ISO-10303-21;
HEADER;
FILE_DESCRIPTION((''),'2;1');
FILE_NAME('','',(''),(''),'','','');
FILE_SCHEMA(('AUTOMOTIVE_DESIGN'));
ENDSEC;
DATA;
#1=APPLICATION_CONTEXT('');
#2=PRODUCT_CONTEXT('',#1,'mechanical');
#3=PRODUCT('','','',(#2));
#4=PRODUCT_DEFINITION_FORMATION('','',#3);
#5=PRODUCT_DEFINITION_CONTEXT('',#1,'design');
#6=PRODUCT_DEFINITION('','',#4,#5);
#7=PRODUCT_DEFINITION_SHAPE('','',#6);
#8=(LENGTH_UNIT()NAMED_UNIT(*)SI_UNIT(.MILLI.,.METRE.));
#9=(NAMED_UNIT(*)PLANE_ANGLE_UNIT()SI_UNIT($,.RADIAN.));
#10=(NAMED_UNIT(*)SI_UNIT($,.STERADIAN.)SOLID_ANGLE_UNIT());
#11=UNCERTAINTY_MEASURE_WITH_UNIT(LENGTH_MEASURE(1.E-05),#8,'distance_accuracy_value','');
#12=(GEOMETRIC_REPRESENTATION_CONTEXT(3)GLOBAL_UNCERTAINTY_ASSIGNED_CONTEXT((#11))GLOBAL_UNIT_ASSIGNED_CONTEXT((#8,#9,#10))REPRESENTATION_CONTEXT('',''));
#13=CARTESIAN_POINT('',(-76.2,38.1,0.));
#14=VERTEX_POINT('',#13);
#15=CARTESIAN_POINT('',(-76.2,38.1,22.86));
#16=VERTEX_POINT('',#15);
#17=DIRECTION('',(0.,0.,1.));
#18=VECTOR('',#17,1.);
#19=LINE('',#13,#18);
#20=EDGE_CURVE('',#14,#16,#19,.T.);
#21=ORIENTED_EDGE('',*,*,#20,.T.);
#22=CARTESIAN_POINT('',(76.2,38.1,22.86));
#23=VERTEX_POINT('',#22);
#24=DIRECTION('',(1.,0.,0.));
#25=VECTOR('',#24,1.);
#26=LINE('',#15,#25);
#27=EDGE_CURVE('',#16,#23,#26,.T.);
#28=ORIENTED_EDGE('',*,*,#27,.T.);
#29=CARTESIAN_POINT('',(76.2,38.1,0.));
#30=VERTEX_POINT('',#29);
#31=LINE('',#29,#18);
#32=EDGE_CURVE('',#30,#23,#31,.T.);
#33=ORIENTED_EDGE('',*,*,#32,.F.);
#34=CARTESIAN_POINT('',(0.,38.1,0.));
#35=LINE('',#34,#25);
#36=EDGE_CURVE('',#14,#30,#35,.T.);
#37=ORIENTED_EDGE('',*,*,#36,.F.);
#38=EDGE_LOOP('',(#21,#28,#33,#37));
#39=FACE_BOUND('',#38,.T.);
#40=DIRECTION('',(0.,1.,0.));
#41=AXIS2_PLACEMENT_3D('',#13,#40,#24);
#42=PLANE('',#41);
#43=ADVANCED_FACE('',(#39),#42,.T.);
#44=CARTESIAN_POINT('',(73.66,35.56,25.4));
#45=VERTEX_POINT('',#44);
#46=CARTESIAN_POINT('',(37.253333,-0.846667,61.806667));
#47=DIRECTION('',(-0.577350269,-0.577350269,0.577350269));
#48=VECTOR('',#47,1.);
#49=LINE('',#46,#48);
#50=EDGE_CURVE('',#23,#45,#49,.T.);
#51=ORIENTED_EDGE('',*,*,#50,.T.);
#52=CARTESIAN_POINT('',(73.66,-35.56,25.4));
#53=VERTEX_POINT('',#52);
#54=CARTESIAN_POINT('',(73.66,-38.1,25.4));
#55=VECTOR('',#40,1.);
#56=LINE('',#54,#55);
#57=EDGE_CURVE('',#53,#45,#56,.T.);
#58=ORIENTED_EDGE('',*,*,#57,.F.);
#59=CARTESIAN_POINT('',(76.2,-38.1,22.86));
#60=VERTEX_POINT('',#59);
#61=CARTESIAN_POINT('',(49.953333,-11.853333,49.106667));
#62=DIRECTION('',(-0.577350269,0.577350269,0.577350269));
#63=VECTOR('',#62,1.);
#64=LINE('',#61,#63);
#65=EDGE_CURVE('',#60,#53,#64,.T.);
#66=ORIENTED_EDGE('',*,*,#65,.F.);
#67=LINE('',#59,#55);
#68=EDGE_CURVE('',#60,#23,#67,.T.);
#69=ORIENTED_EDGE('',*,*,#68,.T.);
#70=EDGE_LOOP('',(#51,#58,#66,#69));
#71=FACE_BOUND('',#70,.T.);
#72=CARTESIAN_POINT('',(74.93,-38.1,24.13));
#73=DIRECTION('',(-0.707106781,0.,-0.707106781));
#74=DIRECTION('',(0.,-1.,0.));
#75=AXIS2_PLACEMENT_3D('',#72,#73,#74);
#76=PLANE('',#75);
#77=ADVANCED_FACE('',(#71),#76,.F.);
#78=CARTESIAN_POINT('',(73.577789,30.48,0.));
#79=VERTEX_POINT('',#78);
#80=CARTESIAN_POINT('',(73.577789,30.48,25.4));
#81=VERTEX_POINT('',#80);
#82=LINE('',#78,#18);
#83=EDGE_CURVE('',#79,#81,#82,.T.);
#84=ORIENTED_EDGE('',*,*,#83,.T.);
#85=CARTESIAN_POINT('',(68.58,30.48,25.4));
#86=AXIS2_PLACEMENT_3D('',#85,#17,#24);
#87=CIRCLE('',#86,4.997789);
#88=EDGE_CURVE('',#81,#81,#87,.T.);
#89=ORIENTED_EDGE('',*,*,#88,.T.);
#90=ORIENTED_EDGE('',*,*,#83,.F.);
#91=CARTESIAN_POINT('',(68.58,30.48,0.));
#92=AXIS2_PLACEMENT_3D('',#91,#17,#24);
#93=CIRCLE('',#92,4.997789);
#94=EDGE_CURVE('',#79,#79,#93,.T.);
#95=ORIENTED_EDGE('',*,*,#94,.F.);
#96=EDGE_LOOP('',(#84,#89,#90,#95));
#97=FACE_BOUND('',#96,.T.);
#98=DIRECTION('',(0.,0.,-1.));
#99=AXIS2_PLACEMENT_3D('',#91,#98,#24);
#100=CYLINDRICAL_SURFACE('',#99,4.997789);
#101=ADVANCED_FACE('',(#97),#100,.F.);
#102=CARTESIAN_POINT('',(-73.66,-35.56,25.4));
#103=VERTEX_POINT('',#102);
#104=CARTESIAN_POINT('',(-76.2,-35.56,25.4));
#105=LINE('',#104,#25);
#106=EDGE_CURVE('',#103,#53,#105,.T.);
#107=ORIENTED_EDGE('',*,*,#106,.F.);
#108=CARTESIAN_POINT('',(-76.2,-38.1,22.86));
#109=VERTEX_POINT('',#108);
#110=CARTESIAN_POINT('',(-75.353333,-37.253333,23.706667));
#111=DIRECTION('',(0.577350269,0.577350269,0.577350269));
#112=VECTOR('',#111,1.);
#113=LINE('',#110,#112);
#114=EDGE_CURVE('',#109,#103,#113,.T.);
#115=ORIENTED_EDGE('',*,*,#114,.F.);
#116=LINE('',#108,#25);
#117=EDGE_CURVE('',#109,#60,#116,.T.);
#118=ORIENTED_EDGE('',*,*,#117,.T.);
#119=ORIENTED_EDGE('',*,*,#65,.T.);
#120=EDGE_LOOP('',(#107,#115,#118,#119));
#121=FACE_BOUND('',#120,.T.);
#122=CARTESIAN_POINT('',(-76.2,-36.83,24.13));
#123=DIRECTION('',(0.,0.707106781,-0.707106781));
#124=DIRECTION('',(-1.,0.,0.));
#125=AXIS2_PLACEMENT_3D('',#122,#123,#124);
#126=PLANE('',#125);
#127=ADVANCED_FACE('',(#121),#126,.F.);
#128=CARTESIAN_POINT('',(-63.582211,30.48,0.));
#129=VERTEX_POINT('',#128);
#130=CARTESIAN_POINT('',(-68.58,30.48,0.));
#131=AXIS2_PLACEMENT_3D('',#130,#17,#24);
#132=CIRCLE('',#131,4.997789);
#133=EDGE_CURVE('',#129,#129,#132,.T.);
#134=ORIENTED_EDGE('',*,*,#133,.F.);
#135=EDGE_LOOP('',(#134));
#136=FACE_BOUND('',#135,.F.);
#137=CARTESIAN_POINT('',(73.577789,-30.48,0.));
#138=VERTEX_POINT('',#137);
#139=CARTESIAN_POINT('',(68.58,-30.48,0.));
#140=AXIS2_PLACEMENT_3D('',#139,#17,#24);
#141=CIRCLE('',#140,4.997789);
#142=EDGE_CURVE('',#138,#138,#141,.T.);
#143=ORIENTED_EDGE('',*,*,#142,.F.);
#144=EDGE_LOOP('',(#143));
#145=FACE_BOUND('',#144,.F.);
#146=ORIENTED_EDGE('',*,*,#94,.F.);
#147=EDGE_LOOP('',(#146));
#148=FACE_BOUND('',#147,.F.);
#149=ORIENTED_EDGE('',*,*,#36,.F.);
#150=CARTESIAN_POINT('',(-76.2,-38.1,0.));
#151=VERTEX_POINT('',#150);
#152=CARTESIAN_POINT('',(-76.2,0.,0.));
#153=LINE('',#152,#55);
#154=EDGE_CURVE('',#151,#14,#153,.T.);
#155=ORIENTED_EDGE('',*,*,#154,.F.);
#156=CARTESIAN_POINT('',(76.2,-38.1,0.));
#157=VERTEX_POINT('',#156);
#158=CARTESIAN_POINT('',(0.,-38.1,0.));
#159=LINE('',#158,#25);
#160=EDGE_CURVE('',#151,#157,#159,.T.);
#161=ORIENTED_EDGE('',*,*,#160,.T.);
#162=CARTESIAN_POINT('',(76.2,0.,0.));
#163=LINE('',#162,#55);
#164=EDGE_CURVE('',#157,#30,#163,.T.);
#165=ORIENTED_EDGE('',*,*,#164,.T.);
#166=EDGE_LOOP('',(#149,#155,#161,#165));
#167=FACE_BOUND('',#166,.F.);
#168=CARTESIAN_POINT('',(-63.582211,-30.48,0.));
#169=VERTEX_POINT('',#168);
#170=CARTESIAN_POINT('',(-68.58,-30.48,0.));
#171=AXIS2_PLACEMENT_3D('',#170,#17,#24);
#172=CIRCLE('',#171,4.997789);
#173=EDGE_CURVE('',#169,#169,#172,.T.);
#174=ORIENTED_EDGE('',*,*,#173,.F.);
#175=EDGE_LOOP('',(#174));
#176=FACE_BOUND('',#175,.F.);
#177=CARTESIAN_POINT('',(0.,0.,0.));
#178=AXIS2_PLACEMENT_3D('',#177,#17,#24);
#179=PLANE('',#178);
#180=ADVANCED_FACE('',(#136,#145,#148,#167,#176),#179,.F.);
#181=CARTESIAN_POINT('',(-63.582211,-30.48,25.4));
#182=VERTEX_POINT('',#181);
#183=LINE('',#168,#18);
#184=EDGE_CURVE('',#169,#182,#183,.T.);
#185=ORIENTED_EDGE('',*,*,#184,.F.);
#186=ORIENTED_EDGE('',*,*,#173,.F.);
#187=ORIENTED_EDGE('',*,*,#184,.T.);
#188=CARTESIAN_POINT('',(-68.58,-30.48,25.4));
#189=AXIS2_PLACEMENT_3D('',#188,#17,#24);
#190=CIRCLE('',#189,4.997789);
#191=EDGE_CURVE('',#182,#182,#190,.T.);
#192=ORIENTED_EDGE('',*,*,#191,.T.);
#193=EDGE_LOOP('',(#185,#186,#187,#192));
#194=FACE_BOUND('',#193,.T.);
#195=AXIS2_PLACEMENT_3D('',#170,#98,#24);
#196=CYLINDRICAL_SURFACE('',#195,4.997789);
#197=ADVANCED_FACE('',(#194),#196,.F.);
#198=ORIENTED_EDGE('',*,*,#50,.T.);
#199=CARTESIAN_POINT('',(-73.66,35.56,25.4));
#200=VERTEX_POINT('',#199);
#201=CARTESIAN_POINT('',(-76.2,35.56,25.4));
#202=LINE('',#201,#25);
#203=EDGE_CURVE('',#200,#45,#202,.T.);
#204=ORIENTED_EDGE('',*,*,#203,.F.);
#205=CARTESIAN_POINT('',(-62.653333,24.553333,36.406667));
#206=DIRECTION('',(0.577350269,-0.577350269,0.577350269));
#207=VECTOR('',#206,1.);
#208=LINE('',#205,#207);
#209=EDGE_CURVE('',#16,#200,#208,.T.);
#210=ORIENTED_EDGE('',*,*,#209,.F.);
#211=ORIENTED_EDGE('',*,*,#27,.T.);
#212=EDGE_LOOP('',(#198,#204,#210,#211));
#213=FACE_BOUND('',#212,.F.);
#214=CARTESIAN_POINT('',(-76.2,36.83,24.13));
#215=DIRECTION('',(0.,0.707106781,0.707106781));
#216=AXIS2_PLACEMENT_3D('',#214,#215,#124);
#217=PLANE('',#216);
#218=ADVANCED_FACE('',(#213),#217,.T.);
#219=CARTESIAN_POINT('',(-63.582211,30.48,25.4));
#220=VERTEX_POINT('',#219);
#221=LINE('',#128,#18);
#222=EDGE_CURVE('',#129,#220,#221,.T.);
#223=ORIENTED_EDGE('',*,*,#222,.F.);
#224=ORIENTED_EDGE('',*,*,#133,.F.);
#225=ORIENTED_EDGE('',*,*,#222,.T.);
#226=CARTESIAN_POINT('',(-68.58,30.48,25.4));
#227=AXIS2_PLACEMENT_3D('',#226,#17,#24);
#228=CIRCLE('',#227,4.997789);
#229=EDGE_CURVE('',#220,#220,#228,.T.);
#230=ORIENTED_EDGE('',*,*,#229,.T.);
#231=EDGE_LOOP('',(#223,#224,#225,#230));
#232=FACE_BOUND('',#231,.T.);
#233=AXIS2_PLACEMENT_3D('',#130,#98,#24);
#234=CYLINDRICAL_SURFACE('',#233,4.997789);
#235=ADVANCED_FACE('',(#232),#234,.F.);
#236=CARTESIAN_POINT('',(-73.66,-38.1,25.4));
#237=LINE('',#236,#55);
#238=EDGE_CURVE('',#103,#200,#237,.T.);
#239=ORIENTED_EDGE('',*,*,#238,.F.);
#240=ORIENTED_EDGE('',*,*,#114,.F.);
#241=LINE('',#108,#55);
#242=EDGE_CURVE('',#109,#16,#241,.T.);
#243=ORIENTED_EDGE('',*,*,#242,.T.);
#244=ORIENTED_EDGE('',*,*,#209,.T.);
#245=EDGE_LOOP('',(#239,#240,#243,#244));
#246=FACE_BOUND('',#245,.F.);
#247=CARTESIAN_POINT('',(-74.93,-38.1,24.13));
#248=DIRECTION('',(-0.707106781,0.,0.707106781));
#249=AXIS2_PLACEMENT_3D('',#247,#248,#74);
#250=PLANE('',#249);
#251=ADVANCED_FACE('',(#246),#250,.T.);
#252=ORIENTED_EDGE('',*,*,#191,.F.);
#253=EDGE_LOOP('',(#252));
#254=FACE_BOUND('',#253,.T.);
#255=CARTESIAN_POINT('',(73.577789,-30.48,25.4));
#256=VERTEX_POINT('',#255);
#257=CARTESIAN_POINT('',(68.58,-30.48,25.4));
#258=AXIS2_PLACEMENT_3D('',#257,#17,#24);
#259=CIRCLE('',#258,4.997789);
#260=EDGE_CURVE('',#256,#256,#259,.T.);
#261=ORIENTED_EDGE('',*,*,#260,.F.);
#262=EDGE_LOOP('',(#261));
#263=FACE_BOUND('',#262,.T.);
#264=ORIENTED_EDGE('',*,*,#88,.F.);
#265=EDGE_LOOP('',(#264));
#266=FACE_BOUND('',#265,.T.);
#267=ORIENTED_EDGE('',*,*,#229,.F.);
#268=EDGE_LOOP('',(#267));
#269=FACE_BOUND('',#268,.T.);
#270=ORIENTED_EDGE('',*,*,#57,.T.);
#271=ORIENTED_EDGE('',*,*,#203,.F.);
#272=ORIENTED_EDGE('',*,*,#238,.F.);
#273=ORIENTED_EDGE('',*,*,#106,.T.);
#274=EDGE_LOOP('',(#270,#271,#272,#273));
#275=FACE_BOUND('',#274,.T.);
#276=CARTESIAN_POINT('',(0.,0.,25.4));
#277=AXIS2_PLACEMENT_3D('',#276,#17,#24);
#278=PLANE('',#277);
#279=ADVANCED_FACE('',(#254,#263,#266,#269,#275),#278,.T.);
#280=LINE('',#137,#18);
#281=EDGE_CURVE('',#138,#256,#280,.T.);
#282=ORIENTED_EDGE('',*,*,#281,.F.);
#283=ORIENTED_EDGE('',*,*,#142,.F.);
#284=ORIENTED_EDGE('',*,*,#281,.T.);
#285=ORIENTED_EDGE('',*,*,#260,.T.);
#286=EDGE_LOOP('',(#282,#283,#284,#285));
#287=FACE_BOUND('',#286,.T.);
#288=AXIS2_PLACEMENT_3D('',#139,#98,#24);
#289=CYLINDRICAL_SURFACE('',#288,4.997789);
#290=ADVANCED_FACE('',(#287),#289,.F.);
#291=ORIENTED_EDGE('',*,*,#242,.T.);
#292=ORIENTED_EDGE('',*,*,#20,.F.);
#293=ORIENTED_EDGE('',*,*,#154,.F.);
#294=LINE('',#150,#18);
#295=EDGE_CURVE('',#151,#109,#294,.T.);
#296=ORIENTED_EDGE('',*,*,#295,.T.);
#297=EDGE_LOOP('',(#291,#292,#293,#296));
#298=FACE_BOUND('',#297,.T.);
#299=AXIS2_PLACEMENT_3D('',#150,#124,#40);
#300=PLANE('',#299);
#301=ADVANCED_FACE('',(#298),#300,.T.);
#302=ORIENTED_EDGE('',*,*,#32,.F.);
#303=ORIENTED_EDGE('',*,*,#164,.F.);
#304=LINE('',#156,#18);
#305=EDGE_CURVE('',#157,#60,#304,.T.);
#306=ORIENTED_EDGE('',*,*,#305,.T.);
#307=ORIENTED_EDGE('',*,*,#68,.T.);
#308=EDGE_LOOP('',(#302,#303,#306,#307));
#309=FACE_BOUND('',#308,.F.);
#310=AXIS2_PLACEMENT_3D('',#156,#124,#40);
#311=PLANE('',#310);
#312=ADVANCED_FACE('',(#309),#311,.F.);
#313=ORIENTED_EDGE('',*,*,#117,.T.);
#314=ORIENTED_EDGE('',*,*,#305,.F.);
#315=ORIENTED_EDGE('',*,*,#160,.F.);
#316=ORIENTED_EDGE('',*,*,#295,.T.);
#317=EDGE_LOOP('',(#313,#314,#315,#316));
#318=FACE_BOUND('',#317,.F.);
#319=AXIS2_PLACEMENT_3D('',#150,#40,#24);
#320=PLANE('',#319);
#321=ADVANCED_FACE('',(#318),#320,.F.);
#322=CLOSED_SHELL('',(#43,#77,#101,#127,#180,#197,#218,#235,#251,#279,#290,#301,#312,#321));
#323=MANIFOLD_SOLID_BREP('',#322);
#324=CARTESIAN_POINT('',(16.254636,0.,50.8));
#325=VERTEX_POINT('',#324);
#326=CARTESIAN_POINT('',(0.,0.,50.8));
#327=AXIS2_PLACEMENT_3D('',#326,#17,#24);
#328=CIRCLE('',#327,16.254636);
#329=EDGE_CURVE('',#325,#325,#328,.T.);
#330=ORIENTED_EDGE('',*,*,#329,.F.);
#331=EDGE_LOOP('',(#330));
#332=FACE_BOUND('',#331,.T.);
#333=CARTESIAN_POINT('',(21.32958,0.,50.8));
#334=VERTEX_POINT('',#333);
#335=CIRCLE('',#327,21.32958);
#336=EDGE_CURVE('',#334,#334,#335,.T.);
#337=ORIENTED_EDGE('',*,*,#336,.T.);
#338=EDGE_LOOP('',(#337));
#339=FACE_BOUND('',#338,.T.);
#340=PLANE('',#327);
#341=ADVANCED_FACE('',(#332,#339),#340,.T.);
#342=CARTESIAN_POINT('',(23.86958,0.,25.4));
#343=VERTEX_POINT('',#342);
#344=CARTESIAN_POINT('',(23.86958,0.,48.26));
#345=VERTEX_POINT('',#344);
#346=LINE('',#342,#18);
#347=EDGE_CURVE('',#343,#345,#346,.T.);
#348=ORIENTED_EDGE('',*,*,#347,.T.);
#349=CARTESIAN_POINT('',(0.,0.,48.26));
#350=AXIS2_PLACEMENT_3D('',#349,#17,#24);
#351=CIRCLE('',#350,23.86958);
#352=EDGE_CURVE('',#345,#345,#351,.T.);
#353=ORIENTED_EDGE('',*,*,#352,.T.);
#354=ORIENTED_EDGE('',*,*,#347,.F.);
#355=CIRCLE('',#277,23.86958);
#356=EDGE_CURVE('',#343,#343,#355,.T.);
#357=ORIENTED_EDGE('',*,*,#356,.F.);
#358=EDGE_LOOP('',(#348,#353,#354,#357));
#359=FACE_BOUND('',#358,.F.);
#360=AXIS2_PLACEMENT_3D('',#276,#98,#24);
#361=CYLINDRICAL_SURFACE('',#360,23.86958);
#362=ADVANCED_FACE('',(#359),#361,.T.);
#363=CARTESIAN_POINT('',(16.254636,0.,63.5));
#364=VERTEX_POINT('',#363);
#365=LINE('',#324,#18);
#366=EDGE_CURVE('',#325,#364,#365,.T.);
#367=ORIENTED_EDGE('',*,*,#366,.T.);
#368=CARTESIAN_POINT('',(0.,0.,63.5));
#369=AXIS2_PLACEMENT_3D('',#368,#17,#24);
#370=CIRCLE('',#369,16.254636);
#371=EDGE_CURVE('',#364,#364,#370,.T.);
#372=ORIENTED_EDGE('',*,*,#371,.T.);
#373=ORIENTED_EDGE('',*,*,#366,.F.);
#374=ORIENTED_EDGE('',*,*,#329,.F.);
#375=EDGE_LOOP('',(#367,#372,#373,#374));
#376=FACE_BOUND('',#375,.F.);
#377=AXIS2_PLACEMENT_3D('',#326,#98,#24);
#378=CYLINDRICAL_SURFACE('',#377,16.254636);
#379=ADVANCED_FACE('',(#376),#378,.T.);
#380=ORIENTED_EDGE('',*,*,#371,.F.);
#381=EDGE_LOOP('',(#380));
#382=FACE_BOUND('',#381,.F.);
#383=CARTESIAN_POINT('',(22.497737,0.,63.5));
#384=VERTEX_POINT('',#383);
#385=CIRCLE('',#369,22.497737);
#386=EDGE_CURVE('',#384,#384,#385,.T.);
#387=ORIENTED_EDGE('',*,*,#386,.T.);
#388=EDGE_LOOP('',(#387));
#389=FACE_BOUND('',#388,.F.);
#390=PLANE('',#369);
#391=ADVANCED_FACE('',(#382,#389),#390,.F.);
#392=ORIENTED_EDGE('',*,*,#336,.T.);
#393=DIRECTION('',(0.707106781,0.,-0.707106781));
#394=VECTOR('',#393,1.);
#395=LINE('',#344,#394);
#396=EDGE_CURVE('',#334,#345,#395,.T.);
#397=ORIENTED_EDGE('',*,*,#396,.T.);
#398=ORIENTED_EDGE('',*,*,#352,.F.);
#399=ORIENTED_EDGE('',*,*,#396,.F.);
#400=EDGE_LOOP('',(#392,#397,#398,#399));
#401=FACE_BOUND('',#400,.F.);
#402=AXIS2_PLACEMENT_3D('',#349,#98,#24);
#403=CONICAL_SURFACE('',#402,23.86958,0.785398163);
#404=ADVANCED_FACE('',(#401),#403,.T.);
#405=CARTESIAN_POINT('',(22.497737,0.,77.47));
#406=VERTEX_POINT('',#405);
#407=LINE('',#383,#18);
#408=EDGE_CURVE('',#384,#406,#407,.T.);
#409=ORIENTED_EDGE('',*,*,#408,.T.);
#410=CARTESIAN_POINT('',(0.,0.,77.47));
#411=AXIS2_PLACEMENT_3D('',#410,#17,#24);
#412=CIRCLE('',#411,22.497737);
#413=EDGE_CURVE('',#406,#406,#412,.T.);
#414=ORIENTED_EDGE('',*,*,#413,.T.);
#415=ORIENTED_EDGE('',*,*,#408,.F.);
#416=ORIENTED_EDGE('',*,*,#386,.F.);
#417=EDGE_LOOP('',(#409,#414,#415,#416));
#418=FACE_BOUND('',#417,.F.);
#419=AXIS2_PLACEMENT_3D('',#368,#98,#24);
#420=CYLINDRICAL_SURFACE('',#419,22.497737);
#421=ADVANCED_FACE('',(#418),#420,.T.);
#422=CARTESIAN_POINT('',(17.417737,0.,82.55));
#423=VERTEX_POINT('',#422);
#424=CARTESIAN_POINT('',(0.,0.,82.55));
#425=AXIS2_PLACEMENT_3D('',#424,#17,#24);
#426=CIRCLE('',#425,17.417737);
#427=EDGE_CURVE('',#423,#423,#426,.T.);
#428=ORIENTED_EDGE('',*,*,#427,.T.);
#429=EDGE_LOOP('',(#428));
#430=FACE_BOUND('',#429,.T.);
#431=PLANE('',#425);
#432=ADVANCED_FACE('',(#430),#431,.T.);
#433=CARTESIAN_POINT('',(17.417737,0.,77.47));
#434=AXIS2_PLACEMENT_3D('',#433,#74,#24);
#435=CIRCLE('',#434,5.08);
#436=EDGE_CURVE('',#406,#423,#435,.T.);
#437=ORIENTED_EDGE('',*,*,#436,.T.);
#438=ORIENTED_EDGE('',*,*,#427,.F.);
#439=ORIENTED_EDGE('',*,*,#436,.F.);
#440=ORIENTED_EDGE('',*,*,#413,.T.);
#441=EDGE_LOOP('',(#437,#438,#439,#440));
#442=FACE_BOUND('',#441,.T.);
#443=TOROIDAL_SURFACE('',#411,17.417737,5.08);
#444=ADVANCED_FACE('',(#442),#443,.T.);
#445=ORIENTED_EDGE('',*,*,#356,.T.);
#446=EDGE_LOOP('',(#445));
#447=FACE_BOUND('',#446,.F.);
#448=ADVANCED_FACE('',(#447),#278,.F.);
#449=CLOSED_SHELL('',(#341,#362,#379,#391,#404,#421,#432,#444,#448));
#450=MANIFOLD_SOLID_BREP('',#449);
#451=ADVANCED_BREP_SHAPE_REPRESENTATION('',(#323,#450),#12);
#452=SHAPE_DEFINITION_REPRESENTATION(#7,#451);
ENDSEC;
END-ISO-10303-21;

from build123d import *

# Parameters (mm, degrees)
F0_W      = 152.4
F0_H      = 76.2
F0_R      = 4.997789
F1_DEPTH  = 25.4
F2_R      = 23.86958
F3_DEPTH  = 25.4
F4_R      = 16.254636
F5_DEPTH  = 12.7
F6_R      = 22.497737
F7_DEPTH  = 19.05
F8_SIZE   = 2.54
F8_2_SIZE = 2.54
F9_R      = 5.08


with BuildPart() as f1:
    # F0 (on Top) → F1 (new body)
    with BuildSketch(Plane.XY):
        Rectangle(F0_W, F0_H)
        with Locations((-68.58, -30.48)):
            Circle(F0_R, mode=Mode.SUBTRACT)
        with Locations((68.58, -30.48)):
            Circle(F0_R, mode=Mode.SUBTRACT)
        with Locations((-68.58, 30.48)):
            Circle(F0_R, mode=Mode.SUBTRACT)
        with Locations((68.58, 30.48)):
            Circle(F0_R, mode=Mode.SUBTRACT)
    extrude(amount=F1_DEPTH)

    # F8
    f8_edges = [f1.edges().sort_by_distance(p)[0] for p in [
        (0, -38.1, 25.4),
        (76.2, 0, 25.4),
        (-76.2, 0, 25.4),
        (0, 38.1, 25.4),
    ]]
    chamfer(f8_edges, length=F8_SIZE)


with BuildPart() as f3:
    # F2 (on face) → F3 (new body)
    with BuildSketch(Plane.XY.offset(25.4)):
        Circle(F2_R)
    extrude(amount=F3_DEPTH)

    # F4 (on face) → F5 (join)
    with BuildSketch(Plane.XY.offset(50.8)):
        Circle(F4_R)
    extrude(amount=F5_DEPTH)

    # F6 (on face) → F7 (join)
    with BuildSketch(Plane.XY.offset(63.5)):
        Circle(F6_R)
    extrude(amount=F7_DEPTH)

    # F8#2
    f8_2_edges = [f3.edges().sort_by_distance(p)[0] for p in [
        (-23.86958, 0, 50.8),
    ]]
    chamfer(f8_2_edges, length=F8_2_SIZE)

    # F9
    f9_edges = [f3.edges().sort_by_distance(p)[0] for p in [
        (-22.497737, 0, 82.55),
    ]]
    fillet(f9_edges, radius=F9_R)


solid = Compound([f1.part, f3.part])
